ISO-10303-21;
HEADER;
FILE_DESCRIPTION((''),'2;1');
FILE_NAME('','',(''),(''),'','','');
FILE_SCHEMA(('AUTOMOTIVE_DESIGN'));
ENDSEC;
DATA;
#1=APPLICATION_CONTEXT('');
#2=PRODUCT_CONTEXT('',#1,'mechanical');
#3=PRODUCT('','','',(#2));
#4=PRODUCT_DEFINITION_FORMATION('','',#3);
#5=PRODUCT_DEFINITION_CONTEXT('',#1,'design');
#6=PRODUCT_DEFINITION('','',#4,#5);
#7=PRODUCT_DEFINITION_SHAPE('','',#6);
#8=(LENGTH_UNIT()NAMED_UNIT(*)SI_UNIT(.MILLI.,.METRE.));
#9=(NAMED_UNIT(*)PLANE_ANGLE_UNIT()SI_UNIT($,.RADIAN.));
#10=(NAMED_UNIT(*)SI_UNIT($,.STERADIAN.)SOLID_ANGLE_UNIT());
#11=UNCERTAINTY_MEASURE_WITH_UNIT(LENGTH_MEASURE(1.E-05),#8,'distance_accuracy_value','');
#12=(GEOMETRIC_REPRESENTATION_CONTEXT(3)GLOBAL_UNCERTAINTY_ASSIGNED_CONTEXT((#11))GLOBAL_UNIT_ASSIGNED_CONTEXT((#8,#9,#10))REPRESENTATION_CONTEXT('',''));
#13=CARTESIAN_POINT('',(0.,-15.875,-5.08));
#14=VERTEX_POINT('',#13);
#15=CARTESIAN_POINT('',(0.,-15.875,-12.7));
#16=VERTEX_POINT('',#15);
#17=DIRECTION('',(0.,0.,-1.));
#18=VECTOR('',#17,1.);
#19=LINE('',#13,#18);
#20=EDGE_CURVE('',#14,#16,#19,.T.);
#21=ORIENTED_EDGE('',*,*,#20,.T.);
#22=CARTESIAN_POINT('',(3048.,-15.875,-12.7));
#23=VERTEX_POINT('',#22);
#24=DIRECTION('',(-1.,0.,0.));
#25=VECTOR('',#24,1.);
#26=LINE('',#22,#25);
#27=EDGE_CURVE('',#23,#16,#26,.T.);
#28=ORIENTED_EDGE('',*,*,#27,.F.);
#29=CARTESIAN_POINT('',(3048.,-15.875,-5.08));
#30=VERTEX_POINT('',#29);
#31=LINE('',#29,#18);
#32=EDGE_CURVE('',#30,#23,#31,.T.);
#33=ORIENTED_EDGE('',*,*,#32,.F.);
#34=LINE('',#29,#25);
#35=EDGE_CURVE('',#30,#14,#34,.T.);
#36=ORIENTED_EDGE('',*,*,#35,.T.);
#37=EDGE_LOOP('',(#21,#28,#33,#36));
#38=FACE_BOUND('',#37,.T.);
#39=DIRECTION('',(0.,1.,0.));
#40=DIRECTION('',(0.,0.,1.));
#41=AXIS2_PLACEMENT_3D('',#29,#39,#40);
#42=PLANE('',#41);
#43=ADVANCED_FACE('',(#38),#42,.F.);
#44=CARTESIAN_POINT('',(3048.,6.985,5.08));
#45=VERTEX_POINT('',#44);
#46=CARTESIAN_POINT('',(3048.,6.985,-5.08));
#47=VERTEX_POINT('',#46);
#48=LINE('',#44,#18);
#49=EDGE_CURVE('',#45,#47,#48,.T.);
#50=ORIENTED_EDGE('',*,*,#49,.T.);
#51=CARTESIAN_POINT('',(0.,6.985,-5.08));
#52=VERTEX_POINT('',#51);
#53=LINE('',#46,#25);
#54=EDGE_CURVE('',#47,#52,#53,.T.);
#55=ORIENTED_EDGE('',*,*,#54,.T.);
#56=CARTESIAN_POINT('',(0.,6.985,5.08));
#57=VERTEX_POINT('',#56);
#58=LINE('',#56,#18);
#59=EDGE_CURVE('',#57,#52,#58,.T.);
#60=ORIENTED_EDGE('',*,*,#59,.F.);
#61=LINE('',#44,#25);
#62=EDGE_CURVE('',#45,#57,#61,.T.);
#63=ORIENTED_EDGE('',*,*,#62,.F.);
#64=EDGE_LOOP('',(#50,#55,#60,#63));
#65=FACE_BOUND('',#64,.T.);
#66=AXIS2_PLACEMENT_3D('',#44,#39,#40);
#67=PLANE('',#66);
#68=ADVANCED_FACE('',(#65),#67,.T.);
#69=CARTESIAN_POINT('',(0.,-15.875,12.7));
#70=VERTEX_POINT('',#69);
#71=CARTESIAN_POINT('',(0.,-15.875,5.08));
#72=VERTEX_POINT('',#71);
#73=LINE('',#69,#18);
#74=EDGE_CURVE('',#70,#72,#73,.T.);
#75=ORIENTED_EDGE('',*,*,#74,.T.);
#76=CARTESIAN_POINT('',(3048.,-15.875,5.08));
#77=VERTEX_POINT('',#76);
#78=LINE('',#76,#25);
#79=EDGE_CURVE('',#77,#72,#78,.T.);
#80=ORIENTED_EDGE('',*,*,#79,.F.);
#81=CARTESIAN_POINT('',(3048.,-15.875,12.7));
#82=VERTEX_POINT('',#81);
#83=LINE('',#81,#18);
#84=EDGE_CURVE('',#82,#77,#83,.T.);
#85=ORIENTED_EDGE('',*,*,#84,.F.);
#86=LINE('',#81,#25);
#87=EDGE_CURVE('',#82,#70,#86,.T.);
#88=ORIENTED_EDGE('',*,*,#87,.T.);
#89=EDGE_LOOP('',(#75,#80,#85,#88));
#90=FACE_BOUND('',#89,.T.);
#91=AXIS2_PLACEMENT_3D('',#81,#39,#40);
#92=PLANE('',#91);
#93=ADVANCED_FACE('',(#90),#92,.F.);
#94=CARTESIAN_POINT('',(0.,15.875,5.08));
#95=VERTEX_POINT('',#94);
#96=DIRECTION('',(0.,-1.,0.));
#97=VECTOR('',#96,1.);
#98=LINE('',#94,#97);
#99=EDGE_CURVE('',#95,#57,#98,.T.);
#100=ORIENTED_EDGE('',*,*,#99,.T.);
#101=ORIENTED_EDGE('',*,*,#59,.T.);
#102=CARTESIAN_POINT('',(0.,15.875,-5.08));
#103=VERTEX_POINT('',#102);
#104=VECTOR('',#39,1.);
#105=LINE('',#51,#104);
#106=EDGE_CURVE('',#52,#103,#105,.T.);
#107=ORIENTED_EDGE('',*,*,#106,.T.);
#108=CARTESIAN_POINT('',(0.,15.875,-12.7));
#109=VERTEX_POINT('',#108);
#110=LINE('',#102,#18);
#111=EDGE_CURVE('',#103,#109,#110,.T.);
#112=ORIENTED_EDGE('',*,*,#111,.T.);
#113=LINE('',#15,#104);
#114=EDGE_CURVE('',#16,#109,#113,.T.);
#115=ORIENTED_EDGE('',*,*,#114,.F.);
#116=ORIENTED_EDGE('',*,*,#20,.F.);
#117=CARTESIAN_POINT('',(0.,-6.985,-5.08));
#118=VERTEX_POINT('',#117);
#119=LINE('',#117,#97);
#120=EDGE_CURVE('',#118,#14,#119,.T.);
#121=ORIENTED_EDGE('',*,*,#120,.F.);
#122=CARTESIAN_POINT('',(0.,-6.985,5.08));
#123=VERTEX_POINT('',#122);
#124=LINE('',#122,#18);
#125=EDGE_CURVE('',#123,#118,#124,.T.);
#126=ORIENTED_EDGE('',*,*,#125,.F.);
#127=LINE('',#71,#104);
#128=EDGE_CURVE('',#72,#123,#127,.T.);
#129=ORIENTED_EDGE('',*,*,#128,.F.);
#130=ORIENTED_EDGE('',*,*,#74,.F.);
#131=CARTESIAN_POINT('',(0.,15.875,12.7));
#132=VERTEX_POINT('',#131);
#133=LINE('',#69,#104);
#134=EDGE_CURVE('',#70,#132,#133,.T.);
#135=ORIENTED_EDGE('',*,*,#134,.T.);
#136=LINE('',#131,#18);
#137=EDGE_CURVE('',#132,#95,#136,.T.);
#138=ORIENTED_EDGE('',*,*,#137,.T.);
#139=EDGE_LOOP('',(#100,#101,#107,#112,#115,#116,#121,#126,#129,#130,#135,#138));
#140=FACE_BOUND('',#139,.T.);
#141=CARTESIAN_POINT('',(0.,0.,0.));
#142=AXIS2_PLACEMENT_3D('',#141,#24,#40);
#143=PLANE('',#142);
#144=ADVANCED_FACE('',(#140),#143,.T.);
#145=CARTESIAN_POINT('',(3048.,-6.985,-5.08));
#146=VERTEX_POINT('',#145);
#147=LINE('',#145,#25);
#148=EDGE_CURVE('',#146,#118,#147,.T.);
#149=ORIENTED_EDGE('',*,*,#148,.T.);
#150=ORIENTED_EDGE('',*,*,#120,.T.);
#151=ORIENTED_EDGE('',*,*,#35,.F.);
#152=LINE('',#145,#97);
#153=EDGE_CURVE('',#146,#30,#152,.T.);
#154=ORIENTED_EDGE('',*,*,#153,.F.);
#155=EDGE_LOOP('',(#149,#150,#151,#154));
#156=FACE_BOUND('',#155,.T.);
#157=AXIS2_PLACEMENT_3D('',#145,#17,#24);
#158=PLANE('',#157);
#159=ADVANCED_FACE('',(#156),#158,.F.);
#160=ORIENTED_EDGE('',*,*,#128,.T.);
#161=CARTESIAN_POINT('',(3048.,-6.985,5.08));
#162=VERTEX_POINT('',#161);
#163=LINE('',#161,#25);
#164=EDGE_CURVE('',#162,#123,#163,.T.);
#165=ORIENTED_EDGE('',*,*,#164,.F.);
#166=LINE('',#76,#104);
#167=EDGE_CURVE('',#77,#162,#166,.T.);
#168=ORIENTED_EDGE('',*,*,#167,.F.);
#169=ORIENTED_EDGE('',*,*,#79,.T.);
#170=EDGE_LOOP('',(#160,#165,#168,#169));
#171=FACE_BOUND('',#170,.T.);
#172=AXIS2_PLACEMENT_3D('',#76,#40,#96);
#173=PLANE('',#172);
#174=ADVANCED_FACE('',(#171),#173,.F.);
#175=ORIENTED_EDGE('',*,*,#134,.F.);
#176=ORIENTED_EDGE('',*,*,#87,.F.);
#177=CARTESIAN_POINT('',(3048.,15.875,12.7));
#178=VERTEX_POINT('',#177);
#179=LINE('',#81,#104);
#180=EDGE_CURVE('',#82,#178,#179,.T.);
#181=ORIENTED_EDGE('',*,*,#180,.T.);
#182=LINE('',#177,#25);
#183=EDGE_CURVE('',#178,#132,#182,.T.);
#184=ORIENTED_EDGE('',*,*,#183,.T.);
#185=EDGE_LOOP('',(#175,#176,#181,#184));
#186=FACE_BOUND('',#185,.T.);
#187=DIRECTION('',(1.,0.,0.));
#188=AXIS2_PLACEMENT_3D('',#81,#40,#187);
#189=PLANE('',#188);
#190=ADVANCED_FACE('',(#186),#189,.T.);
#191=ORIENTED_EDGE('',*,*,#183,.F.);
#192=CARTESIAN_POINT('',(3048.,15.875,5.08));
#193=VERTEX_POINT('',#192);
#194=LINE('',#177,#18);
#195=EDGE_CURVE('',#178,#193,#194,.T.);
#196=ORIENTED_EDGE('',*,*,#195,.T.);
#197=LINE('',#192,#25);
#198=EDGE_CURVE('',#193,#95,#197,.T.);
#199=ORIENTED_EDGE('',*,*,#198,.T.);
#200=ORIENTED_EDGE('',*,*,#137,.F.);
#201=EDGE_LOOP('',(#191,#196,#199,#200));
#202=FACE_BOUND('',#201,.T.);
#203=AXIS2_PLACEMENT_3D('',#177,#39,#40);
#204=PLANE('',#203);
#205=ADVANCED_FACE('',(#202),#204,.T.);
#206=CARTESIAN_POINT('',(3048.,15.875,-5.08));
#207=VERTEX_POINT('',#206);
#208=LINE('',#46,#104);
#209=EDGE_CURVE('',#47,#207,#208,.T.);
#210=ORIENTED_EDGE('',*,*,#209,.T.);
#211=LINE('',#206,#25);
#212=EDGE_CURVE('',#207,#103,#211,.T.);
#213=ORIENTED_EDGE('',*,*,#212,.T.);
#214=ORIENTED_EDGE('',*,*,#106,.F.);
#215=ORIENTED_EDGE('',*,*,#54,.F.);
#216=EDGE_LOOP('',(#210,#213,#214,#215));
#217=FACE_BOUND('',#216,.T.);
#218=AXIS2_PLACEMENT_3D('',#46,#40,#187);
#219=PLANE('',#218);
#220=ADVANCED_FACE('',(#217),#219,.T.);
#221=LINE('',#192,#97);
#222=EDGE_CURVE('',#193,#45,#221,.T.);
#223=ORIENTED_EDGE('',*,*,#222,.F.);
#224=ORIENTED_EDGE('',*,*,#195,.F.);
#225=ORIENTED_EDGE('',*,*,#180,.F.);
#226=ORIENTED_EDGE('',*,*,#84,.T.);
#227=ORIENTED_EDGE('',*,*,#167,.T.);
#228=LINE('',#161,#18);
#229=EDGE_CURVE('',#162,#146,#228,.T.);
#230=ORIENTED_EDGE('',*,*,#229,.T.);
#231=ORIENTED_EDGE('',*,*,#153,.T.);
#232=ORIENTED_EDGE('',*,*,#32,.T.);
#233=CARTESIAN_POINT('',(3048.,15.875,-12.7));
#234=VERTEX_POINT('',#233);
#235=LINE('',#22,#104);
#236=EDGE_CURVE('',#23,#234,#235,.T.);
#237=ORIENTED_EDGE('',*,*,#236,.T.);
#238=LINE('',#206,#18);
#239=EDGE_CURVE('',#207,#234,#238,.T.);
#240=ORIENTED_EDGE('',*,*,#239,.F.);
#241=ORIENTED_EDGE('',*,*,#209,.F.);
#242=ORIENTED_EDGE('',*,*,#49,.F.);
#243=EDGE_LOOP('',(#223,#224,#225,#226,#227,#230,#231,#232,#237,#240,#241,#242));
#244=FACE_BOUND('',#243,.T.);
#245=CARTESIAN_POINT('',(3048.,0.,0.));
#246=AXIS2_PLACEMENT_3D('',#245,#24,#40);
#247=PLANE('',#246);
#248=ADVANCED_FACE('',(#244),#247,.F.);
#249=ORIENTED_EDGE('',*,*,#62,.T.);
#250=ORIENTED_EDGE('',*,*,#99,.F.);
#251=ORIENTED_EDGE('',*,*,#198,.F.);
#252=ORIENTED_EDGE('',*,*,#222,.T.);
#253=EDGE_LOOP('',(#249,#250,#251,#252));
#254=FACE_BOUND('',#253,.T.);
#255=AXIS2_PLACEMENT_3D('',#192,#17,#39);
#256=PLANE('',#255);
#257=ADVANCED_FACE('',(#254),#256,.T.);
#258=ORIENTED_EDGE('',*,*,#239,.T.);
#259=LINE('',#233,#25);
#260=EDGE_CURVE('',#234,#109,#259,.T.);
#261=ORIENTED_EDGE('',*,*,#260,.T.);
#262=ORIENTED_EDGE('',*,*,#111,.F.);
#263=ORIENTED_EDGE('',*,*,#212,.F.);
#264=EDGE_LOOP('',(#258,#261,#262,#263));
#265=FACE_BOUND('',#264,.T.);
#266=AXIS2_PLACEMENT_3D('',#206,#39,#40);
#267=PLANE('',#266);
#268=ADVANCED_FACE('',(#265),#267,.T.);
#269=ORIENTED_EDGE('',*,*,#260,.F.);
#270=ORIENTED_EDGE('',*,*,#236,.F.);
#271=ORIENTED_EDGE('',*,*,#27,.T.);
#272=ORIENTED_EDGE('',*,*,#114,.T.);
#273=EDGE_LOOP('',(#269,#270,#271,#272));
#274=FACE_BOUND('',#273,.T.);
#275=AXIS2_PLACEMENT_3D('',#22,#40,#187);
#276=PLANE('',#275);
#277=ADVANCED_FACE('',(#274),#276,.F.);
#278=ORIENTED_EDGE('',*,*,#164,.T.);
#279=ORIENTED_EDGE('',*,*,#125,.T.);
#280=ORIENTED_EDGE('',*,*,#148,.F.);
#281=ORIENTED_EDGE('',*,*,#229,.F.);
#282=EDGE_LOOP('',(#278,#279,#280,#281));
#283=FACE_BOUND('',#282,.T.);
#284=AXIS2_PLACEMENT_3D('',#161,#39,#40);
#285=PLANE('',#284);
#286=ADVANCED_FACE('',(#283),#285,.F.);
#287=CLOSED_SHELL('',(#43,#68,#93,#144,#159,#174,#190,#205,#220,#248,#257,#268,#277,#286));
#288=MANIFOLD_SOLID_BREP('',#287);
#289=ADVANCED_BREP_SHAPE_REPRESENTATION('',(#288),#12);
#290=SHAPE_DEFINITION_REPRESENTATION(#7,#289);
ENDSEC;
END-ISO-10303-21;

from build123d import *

# Parameters (mm, degrees)
BOSS_EXTRUDE1_DEPTH = 3048


with BuildPart() as part:
    # Sketch1 → Boss-Extrude1 (new body)
    with BuildSketch(Plane(origin=(0, 0, 0), x_dir=(0, 0, -1), z_dir=(1, 0, 0))):
        Polygon((5.08, -15.875), (12.7, -15.875), (12.7, 15.875), (5.08, 15.875), (5.08, 6.985), (-5.08, 6.985), (-5.08, 15.875), (-12.7, 15.875), (-12.7, -15.875), (-5.08, -15.875), (-5.08, -6.985), (5.08, -6.985), align=None)
    extrude(amount=BOSS_EXTRUDE1_DEPTH)


solid = part.part
